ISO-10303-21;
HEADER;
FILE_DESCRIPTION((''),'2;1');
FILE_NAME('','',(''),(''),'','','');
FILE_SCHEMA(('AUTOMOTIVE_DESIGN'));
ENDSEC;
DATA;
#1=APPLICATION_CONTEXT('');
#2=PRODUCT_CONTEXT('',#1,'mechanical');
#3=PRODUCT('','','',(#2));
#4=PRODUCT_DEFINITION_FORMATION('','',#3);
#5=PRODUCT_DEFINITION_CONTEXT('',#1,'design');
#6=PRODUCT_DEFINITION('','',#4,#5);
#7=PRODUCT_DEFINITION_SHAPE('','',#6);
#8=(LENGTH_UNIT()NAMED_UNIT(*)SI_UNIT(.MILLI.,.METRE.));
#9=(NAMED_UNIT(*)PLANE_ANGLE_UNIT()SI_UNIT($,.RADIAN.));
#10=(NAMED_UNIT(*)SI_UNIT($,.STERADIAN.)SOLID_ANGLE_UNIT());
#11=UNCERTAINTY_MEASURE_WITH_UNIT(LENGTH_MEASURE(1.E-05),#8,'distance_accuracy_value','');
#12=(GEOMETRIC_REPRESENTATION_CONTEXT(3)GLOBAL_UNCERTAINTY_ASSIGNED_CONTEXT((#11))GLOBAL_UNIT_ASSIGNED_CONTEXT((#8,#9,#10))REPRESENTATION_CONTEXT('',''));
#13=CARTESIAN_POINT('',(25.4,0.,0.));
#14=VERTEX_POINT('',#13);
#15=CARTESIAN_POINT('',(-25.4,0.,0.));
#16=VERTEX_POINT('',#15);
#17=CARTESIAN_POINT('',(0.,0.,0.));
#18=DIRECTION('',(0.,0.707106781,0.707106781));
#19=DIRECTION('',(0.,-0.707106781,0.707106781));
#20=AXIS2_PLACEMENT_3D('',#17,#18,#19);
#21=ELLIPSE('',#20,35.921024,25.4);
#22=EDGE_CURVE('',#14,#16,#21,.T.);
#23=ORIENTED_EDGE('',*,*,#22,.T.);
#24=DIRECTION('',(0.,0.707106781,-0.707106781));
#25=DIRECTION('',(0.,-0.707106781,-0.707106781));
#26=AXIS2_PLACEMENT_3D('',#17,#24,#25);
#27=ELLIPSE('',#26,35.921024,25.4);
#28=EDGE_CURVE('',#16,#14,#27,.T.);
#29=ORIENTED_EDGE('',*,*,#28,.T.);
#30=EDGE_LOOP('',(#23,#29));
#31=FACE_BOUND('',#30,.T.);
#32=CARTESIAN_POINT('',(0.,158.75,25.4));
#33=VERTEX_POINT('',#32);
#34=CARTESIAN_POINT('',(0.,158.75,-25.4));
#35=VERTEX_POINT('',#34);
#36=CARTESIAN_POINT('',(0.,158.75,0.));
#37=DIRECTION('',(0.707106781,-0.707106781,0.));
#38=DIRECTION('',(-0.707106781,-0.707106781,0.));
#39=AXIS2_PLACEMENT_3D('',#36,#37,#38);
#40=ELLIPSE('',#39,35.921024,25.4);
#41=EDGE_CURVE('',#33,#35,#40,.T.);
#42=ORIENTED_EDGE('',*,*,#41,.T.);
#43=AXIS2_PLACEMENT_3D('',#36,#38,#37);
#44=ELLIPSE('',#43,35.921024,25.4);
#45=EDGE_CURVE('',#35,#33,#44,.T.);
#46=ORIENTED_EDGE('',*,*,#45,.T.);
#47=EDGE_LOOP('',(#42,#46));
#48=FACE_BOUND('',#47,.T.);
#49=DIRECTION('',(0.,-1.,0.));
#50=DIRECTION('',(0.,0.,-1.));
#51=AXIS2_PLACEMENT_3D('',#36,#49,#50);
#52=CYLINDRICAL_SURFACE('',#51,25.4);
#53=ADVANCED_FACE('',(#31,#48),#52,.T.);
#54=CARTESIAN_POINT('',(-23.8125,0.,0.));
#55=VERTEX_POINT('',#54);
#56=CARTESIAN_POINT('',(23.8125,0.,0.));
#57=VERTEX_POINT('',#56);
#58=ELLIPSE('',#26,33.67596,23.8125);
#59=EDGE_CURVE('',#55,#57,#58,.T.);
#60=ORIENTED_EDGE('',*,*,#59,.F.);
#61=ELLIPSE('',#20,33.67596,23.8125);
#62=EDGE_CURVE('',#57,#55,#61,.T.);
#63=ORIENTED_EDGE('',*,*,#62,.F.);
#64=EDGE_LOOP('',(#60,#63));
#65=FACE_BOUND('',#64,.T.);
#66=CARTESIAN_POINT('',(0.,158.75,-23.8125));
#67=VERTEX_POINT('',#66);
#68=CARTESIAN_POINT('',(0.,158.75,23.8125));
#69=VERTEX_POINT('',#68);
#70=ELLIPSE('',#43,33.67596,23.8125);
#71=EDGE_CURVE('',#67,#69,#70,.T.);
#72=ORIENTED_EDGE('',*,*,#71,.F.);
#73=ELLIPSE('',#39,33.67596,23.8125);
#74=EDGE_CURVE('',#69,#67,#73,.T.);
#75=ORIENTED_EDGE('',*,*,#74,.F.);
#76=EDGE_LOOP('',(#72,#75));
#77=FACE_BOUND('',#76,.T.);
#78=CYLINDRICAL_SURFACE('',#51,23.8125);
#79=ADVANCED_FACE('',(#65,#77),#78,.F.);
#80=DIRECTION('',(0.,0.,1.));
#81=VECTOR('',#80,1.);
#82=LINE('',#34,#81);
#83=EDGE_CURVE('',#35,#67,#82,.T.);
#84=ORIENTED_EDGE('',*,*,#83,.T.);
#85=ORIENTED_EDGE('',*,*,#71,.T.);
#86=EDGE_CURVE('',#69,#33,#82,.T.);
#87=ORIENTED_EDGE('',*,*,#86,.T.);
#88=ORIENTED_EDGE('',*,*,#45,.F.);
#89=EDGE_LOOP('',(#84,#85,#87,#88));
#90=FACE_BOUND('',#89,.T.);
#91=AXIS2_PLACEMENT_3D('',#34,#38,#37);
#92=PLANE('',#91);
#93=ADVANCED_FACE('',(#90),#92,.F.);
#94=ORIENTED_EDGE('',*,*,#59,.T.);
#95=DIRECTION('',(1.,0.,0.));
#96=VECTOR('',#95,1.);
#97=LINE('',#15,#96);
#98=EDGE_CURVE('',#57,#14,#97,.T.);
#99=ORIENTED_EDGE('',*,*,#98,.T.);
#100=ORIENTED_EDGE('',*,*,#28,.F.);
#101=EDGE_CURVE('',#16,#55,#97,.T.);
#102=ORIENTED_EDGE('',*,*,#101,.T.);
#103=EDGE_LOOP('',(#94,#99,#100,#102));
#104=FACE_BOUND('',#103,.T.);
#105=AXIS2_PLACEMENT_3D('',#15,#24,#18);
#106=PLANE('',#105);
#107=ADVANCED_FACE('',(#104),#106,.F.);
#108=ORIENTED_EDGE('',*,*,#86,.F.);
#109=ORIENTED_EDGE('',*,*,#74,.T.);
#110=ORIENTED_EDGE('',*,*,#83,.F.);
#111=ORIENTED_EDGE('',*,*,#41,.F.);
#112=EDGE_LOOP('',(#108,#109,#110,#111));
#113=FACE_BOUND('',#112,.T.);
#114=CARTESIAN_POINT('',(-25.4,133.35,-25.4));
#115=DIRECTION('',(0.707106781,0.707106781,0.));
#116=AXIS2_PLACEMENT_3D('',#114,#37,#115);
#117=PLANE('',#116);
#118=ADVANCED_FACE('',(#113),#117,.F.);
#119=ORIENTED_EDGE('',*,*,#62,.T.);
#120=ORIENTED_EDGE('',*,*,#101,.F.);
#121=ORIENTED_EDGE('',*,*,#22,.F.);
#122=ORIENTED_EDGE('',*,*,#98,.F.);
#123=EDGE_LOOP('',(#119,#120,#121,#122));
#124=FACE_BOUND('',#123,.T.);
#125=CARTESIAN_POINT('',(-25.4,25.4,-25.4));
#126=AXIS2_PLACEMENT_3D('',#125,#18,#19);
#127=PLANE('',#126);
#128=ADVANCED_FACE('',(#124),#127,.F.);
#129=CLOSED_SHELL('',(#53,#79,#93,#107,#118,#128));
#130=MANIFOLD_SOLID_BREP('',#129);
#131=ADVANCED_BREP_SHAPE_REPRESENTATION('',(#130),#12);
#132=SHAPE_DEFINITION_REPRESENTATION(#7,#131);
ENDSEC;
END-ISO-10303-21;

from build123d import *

# Parameters (mm, degrees)
SKETCH1_R               = 25.4
SKETCH1_R_2             = 23.8125
BOSS_EXTRUDE1_DEPTH     = 158.75
CUT_EXTRUDE1_DEPTH      = 163.763271348
CUT_EXTRUDE1_DEPTH_BACK = 163.763271348
CUT_EXTRUDE2_DEPTH      = 163.763271348
CUT_EXTRUDE2_DEPTH_BACK = 163.763271348


with BuildPart() as part:
    # Sketch1 → Boss-Extrude1 (new body)
    with BuildSketch(Plane(origin=(0, 0, 0), x_dir=(1, 0, 0), z_dir=(0, 1, 0))):
        with Locations(Location((0, 0, 0), (0, 0, 90))):
            Circle(SKETCH1_R)
        with Locations(Location((0, 0, 0), (0, 0, 90))):
            Circle(SKETCH1_R_2, mode=Mode.SUBTRACT)
    extrude(amount=BOSS_EXTRUDE1_DEPTH)

    # Sketch2 → Cut-Extrude1 (cut, two sides: drawn at the far end of the back side and taken through both)
    with BuildSketch(Plane.XY.offset(-CUT_EXTRUDE1_DEPTH_BACK)):
        Polygon((25.4, 133.35), (25.4, 158.75), (-0.960093291, 166.540490079), (-25.4, 158.75), (-25.4, 133.35), (0, 158.75), align=None)
    extrude(amount=CUT_EXTRUDE1_DEPTH + CUT_EXTRUDE1_DEPTH_BACK, mode=Mode.SUBTRACT)

    # Sketch3 → Cut-Extrude2 (cut, two sides: drawn at the far end of the back side and taken through both)
    with BuildSketch(Plane(origin=(0, 0, 0), x_dir=(0, 0, -1), z_dir=(1, 0, 0)).offset(-CUT_EXTRUDE2_DEPTH_BACK)):
        Polygon((-25.4, 25.4), (-25.4, 0), (0.032632353, -12.112837501), (25.4, 0), (25.4, 25.4), (0, 0), align=None)
    extrude(amount=CUT_EXTRUDE2_DEPTH + CUT_EXTRUDE2_DEPTH_BACK, mode=Mode.SUBTRACT)


solid = part.part
